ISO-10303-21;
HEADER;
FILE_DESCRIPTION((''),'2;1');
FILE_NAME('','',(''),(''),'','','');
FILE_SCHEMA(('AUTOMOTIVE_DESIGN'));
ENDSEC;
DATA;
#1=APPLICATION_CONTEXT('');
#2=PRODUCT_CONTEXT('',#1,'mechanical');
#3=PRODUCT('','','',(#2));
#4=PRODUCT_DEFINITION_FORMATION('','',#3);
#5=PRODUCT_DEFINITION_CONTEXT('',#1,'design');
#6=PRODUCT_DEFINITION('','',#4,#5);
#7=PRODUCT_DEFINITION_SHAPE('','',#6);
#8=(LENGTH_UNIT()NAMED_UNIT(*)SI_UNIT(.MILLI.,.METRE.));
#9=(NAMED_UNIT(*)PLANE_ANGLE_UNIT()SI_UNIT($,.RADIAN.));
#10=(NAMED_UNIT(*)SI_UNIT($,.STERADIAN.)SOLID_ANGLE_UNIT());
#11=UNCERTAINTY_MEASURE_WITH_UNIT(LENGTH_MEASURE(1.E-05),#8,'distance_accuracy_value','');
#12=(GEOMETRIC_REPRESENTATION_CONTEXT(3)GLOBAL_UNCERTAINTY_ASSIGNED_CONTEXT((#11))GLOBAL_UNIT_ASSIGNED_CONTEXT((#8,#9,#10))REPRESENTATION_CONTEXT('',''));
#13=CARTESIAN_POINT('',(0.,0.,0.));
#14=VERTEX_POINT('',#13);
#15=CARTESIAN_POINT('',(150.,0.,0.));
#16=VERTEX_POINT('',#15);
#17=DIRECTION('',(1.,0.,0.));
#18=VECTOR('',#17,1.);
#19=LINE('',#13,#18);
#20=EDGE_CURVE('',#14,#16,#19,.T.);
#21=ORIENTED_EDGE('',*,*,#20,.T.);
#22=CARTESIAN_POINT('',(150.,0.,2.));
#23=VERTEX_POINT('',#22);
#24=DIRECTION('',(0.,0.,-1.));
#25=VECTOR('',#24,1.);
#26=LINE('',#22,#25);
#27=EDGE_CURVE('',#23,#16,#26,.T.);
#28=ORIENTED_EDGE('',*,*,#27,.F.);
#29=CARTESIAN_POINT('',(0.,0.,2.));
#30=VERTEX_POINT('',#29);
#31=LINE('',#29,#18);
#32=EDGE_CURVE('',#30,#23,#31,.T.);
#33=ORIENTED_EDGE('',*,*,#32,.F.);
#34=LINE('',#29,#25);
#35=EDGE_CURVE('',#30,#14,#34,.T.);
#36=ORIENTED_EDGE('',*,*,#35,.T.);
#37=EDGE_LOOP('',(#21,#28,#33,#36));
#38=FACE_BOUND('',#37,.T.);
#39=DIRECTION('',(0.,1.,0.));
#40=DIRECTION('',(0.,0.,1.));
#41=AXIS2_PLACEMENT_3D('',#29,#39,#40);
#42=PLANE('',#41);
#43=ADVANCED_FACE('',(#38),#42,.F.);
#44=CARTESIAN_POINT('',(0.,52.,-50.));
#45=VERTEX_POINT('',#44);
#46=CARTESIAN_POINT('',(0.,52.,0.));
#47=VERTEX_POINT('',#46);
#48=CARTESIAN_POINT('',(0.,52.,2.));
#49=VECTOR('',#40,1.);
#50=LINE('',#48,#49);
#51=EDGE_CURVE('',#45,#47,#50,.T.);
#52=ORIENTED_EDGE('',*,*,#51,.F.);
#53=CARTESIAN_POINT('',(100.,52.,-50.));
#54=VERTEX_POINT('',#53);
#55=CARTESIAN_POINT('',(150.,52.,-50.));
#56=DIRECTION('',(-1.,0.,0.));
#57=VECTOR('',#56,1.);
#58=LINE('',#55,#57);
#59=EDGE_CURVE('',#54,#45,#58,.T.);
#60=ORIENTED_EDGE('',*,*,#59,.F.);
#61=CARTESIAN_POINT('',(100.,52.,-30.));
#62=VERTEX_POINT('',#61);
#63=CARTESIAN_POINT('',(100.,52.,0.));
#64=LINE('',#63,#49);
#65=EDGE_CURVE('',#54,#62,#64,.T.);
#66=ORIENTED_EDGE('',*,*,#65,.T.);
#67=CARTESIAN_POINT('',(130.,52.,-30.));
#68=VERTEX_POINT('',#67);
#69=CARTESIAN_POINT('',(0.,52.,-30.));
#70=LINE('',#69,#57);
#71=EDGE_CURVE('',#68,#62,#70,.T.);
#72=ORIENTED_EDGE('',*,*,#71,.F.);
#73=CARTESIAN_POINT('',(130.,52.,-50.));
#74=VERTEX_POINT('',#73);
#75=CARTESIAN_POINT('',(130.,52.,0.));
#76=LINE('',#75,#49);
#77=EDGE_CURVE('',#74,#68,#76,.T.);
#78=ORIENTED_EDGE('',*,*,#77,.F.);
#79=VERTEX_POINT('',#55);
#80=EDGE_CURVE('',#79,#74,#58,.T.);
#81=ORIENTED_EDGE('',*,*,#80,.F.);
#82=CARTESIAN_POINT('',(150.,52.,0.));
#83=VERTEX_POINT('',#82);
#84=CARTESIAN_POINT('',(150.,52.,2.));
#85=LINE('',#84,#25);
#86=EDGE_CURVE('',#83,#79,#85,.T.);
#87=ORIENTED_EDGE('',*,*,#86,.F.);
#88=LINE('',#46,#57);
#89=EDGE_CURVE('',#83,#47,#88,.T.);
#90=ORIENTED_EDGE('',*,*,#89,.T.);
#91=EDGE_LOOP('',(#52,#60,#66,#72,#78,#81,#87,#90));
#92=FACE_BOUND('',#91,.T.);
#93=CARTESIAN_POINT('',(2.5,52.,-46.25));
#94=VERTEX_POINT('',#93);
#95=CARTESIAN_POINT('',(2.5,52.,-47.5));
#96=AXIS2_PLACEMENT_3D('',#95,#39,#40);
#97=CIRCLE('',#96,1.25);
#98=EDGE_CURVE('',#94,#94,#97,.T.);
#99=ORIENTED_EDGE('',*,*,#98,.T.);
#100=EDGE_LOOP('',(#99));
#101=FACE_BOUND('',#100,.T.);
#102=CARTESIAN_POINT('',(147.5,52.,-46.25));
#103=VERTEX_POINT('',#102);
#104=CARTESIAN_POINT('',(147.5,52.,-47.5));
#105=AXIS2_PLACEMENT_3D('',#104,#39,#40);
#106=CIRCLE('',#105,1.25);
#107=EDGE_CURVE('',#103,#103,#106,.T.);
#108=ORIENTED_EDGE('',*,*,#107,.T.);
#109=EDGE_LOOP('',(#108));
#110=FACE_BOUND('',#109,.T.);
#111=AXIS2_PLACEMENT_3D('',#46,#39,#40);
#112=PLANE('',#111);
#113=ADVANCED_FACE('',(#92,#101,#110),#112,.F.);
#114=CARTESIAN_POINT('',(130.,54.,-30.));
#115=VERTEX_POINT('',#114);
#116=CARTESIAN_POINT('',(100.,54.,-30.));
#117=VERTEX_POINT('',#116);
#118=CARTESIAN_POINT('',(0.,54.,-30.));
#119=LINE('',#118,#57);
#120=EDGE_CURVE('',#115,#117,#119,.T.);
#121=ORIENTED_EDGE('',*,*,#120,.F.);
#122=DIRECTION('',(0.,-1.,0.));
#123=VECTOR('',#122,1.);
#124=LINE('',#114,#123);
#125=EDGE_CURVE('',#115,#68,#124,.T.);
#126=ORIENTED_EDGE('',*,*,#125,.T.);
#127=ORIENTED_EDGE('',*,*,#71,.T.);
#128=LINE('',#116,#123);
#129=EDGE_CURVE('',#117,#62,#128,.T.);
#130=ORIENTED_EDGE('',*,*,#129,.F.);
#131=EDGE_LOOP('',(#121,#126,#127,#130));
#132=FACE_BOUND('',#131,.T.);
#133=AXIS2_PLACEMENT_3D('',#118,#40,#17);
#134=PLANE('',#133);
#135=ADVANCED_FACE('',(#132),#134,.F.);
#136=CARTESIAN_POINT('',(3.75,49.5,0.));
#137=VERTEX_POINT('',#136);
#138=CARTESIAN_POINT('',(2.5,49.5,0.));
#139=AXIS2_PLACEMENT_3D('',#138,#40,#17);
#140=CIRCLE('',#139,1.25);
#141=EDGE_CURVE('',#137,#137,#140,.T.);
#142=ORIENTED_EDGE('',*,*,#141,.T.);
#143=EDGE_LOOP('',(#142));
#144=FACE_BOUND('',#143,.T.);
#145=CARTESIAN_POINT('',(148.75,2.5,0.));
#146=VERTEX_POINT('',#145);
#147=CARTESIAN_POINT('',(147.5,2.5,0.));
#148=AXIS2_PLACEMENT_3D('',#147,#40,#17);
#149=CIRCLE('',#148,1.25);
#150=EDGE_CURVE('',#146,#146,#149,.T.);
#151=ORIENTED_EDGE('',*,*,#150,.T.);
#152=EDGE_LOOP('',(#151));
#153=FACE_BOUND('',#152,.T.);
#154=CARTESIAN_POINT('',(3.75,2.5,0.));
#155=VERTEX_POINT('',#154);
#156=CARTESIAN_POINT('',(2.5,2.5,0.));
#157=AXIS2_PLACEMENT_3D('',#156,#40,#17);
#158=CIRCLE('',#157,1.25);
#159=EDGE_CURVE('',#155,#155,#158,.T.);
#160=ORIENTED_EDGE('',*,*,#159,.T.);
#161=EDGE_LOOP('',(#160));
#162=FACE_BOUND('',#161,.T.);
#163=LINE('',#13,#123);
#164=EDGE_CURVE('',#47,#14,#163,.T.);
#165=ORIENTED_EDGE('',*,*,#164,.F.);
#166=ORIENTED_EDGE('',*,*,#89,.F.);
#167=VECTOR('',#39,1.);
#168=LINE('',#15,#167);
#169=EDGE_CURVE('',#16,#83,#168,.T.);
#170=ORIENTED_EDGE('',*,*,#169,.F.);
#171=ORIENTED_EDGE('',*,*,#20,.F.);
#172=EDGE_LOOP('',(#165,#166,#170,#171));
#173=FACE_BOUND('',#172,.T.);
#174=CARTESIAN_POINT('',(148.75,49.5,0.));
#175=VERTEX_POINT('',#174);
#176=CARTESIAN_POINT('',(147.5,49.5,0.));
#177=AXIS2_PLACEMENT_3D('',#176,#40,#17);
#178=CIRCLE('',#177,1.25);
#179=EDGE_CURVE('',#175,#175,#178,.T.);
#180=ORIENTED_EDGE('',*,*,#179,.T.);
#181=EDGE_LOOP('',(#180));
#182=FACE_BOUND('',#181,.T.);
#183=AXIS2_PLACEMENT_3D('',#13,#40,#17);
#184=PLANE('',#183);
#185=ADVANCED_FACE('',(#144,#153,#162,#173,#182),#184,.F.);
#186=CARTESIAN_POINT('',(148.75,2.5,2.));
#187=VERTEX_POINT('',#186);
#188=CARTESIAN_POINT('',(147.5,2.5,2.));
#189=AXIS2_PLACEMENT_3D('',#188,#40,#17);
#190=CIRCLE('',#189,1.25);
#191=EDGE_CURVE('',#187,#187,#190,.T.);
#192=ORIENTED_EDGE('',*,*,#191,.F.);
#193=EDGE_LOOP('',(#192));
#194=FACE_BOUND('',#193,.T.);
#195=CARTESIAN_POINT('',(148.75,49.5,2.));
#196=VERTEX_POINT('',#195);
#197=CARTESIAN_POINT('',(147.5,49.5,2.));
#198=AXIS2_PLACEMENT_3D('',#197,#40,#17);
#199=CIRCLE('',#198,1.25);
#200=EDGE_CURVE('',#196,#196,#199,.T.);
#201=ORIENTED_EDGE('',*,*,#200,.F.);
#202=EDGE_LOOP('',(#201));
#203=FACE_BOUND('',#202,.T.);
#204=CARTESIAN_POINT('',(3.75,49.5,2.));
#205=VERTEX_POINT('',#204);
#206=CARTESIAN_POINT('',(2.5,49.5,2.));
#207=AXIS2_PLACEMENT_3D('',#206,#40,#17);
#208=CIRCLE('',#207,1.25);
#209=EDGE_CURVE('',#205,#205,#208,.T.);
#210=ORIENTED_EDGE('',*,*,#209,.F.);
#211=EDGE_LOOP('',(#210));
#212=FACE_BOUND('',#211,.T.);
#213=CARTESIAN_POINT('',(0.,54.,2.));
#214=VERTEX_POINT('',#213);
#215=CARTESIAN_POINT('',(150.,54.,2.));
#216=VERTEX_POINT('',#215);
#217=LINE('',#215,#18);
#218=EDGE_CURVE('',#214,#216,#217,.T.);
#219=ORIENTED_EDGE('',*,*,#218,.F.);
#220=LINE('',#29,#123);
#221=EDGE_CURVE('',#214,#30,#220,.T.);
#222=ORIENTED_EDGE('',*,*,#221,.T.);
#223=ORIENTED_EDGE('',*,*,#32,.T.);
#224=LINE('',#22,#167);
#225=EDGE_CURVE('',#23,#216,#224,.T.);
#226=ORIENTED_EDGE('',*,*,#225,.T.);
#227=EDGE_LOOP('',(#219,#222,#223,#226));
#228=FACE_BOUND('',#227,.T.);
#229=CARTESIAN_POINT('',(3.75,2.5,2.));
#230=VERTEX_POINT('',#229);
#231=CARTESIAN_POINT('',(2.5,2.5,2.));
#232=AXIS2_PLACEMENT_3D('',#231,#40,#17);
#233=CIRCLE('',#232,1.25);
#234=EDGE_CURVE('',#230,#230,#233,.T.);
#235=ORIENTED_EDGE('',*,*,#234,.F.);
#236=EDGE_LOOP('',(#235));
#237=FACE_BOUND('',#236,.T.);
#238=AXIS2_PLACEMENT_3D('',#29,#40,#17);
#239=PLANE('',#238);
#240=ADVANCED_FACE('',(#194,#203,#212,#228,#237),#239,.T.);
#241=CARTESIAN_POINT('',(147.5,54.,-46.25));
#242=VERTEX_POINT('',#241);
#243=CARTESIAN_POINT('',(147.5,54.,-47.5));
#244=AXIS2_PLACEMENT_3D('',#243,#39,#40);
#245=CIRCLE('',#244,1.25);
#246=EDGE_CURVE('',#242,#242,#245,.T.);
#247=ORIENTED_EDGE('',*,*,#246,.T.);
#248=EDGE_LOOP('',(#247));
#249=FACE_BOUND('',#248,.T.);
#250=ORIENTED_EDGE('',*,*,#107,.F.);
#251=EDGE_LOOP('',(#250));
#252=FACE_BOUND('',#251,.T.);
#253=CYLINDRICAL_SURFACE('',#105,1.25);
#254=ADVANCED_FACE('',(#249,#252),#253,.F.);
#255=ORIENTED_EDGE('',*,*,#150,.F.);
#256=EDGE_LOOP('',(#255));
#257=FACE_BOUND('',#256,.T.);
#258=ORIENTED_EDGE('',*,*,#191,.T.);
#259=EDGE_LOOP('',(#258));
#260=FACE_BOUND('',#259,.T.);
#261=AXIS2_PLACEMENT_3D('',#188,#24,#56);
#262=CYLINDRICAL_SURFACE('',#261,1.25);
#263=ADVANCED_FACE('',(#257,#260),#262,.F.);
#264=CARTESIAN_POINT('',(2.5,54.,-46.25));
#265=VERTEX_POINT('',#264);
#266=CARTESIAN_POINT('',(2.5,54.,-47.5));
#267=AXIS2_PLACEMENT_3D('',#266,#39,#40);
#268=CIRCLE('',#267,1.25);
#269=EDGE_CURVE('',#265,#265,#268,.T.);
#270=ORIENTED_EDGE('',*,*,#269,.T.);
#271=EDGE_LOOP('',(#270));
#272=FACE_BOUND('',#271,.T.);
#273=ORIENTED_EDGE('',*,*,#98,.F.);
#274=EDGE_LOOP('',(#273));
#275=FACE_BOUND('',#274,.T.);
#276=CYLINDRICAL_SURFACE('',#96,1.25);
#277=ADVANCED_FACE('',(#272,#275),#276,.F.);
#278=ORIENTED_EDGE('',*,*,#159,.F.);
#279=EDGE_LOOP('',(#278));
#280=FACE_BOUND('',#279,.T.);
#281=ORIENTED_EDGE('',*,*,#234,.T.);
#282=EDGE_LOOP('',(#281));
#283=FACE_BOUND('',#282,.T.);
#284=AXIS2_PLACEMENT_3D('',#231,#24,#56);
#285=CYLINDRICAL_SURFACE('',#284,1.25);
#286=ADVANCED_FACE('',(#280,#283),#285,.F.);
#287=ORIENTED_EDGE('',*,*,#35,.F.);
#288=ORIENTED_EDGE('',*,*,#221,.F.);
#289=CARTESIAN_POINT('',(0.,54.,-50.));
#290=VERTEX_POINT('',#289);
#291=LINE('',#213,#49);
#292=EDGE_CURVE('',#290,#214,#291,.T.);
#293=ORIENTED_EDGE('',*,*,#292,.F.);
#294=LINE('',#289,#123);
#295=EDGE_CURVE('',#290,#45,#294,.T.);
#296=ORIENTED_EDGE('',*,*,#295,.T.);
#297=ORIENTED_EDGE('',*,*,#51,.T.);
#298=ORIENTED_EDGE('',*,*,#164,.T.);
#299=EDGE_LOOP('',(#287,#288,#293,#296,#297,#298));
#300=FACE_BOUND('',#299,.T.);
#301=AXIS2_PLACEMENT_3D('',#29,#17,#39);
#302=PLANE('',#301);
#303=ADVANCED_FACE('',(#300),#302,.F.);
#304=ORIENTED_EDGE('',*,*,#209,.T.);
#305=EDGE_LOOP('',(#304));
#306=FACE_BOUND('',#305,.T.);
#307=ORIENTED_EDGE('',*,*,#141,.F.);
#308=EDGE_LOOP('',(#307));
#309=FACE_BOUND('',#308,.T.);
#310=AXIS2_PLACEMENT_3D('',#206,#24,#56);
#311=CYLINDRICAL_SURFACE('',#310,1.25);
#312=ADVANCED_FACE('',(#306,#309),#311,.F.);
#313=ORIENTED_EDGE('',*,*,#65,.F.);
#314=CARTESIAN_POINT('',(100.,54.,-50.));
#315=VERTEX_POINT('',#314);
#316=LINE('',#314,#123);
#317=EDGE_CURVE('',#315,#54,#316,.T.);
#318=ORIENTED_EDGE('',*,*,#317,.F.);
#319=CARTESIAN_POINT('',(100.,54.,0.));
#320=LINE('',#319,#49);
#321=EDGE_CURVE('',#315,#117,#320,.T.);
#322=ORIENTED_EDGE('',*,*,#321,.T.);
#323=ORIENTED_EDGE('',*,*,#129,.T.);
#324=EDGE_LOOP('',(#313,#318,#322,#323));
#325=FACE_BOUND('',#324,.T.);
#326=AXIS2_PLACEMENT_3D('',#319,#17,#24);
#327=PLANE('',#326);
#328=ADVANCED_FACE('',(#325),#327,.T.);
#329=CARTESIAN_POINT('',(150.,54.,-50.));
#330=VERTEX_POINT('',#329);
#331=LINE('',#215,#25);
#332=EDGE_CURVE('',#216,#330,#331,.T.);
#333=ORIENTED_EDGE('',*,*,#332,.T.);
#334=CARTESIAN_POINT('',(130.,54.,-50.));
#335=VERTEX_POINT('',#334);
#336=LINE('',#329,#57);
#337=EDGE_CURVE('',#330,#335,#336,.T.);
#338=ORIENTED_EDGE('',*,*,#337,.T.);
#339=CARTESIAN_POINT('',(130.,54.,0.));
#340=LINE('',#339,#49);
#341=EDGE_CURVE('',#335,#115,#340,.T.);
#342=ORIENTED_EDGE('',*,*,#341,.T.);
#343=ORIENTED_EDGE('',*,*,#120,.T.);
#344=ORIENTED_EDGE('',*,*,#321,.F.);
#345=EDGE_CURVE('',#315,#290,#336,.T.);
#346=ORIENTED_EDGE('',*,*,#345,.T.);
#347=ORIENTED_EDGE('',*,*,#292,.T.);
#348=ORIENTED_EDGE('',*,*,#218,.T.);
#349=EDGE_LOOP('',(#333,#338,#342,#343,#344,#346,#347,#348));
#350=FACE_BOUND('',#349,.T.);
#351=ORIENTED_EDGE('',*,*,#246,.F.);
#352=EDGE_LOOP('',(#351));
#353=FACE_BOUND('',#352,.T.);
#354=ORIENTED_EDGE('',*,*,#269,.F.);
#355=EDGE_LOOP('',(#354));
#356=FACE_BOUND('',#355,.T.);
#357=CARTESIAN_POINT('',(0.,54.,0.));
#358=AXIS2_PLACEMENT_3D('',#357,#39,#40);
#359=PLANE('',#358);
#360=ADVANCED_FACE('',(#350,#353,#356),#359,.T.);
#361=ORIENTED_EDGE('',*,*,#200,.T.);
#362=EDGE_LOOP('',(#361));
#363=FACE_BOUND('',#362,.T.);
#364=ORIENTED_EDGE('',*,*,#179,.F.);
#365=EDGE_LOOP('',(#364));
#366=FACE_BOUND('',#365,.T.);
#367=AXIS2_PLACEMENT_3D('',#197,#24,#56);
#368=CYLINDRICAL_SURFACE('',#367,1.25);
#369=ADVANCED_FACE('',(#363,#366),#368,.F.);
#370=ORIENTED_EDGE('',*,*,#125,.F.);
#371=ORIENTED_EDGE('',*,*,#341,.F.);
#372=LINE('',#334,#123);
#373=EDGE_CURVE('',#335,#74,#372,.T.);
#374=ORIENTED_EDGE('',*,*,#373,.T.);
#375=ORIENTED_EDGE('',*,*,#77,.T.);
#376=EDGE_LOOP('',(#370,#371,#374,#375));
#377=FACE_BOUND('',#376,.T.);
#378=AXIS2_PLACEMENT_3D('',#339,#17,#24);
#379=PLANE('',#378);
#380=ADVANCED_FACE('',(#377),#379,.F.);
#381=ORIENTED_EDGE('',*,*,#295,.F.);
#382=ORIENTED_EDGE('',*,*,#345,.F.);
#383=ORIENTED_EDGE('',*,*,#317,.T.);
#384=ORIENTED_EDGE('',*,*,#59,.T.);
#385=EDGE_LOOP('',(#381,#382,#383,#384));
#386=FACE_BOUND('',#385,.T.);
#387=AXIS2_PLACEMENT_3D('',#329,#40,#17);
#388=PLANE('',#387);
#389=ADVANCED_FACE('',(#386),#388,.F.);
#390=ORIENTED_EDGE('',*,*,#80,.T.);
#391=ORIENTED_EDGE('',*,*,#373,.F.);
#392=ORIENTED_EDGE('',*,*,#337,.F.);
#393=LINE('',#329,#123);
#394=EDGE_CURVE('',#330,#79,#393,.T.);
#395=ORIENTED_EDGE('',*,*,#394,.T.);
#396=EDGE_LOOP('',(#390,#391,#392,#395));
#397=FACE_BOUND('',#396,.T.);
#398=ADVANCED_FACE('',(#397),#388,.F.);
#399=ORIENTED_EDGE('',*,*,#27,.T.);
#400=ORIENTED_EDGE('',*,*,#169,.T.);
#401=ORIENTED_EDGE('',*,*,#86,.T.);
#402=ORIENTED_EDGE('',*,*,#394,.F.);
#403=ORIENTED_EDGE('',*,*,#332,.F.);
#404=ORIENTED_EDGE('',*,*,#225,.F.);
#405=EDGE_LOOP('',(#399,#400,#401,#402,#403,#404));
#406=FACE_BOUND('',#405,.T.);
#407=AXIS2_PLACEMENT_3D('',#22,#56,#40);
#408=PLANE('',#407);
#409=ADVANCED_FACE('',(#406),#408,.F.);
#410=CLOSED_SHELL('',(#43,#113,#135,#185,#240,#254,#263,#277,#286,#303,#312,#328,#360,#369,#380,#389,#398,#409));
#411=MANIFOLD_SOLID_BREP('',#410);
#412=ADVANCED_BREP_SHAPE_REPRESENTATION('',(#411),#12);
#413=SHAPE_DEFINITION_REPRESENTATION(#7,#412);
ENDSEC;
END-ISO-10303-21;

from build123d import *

# Parameters (mm, degrees)
SKIZZE1_R                       = 1.25
AUFSATZ_LINEAR_AUSTRAGEN1_DEPTH = 2
SKIZZE2_W                       = 150
SKIZZE2_H                       = 52
AUFSATZ_LINEAR_AUSTRAGEN2_DEPTH = 2
SKIZZE3_W                       = 30
SKIZZE3_H                       = 20
SCHNITT_LINEAR_AUSTRAGEN1_DEPTH = 2
SKIZZE5_R                       = 1.25
SCHNITT_LINEAR_AUSTRAGEN2_DEPTH = 2


with BuildPart() as part:
    # Skizze1 → Aufsatz-Linear austragen1 (new body)
    # profile 1 of 2: a face of its own
    with BuildSketch(Plane.XY):
        with BuildLine():
            Line((148, 39.858571571), (148, 12.141428429))
            ThreePointArc((148, 12.141428429), (147.219544457, 8.268445082), (145, 5))
            ThreePointArc((145, 5), (141.731554918, 2.780455543), (137.858571571, 2))
            Line((137.858571571, 2), (12.141428429, 2))
            ThreePointArc((12.141428429, 2), (8.268445082, 2.780455543), (5, 5))
            ThreePointArc((5, 5), (2.780455543, 8.268445082), (2, 12.141428429))
            Line((2, 12.141428429), (2, 39.858571571))
            ThreePointArc((2, 39.858571571), (2.780455543, 43.731554918), (5, 47))
            Line((5, 47), (5, 52))
            Line((5, 52), (145, 52))
            Line((145, 52), (145, 47))
            ThreePointArc((145, 47), (147.219544457, 43.731554918), (148, 39.858571571))
        make_face()
    # profile 2 of 2: a face of its own
    with BuildSketch(Plane.XY):
        with BuildLine():
            ThreePointArc((148, 39.858571571), (147.219544457, 43.731554918), (145, 47))
            Line((145, 47), (145, 52))
            Line((145, 52), (150, 52))
            Line((150, 52), (150, 0))
            Line((150, 0), (0, 0))
            Line((0, 0), (0, 52))
            Line((0, 52), (5, 52))
            Line((5, 52), (5, 47))
            ThreePointArc((5, 47), (2.780455543, 43.731554918), (2, 39.858571571))
            Line((2, 39.858571571), (2, 12.141428429))
            ThreePointArc((2, 12.141428429), (2.780455543, 8.268445082), (5, 5))
            ThreePointArc((5, 5), (8.268445082, 2.780455543), (12.141428429, 2))
            Line((12.141428429, 2), (137.858571571, 2))
            ThreePointArc((137.858571571, 2), (141.731554918, 2.780455543), (145, 5))
            ThreePointArc((145, 5), (147.219544457, 8.268445082), (148, 12.141428429))
            Line((148, 12.141428429), (148, 39.858571571))
        make_face()
        with Locations((2.5, 49.5)):
            Circle(SKIZZE1_R, mode=Mode.SUBTRACT)
        with Locations((2.5, 2.5)):
            Circle(SKIZZE1_R, mode=Mode.SUBTRACT)
        with Locations((147.5, 49.5)):
            Circle(SKIZZE1_R, mode=Mode.SUBTRACT)
        with Locations((147.5, 2.5)):
            Circle(SKIZZE1_R, mode=Mode.SUBTRACT)
    extrude(amount=AUFSATZ_LINEAR_AUSTRAGEN1_DEPTH)

    # Skizze2 → Aufsatz-Linear austragen2 (add)
    with BuildSketch(Plane(origin=(0, 52, 0), x_dir=(1, 0, 0), z_dir=(0, 1, 0))):
        with Locations((75, 24)):
            Rectangle(SKIZZE2_W, SKIZZE2_H)
    extrude(amount=AUFSATZ_LINEAR_AUSTRAGEN2_DEPTH)

    # Skizze3 → Schnitt-Linear austragen1 (cut)
    with BuildSketch(Plane.XZ.offset(-52)):
        with Locations((115, -40)):
            Rectangle(SKIZZE3_W, SKIZZE3_H)
    extrude(amount=-SCHNITT_LINEAR_AUSTRAGEN1_DEPTH, mode=Mode.SUBTRACT)

    # Skizze5 → Schnitt-Linear austragen2 (cut)
    with BuildSketch(Plane(origin=(0, 54, 0), x_dir=(1, 0, 0), z_dir=(0, 1, 0))):
        with Locations(Location((147.5, 47.5, 0), (0, 0, 270))):
            Circle(SKIZZE5_R)
        with Locations(Location((2.5, 47.5, 0), (0, 0, 270))):
            Circle(SKIZZE5_R)
    extrude(amount=-SCHNITT_LINEAR_AUSTRAGEN2_DEPTH, mode=Mode.SUBTRACT)


solid = part.part
